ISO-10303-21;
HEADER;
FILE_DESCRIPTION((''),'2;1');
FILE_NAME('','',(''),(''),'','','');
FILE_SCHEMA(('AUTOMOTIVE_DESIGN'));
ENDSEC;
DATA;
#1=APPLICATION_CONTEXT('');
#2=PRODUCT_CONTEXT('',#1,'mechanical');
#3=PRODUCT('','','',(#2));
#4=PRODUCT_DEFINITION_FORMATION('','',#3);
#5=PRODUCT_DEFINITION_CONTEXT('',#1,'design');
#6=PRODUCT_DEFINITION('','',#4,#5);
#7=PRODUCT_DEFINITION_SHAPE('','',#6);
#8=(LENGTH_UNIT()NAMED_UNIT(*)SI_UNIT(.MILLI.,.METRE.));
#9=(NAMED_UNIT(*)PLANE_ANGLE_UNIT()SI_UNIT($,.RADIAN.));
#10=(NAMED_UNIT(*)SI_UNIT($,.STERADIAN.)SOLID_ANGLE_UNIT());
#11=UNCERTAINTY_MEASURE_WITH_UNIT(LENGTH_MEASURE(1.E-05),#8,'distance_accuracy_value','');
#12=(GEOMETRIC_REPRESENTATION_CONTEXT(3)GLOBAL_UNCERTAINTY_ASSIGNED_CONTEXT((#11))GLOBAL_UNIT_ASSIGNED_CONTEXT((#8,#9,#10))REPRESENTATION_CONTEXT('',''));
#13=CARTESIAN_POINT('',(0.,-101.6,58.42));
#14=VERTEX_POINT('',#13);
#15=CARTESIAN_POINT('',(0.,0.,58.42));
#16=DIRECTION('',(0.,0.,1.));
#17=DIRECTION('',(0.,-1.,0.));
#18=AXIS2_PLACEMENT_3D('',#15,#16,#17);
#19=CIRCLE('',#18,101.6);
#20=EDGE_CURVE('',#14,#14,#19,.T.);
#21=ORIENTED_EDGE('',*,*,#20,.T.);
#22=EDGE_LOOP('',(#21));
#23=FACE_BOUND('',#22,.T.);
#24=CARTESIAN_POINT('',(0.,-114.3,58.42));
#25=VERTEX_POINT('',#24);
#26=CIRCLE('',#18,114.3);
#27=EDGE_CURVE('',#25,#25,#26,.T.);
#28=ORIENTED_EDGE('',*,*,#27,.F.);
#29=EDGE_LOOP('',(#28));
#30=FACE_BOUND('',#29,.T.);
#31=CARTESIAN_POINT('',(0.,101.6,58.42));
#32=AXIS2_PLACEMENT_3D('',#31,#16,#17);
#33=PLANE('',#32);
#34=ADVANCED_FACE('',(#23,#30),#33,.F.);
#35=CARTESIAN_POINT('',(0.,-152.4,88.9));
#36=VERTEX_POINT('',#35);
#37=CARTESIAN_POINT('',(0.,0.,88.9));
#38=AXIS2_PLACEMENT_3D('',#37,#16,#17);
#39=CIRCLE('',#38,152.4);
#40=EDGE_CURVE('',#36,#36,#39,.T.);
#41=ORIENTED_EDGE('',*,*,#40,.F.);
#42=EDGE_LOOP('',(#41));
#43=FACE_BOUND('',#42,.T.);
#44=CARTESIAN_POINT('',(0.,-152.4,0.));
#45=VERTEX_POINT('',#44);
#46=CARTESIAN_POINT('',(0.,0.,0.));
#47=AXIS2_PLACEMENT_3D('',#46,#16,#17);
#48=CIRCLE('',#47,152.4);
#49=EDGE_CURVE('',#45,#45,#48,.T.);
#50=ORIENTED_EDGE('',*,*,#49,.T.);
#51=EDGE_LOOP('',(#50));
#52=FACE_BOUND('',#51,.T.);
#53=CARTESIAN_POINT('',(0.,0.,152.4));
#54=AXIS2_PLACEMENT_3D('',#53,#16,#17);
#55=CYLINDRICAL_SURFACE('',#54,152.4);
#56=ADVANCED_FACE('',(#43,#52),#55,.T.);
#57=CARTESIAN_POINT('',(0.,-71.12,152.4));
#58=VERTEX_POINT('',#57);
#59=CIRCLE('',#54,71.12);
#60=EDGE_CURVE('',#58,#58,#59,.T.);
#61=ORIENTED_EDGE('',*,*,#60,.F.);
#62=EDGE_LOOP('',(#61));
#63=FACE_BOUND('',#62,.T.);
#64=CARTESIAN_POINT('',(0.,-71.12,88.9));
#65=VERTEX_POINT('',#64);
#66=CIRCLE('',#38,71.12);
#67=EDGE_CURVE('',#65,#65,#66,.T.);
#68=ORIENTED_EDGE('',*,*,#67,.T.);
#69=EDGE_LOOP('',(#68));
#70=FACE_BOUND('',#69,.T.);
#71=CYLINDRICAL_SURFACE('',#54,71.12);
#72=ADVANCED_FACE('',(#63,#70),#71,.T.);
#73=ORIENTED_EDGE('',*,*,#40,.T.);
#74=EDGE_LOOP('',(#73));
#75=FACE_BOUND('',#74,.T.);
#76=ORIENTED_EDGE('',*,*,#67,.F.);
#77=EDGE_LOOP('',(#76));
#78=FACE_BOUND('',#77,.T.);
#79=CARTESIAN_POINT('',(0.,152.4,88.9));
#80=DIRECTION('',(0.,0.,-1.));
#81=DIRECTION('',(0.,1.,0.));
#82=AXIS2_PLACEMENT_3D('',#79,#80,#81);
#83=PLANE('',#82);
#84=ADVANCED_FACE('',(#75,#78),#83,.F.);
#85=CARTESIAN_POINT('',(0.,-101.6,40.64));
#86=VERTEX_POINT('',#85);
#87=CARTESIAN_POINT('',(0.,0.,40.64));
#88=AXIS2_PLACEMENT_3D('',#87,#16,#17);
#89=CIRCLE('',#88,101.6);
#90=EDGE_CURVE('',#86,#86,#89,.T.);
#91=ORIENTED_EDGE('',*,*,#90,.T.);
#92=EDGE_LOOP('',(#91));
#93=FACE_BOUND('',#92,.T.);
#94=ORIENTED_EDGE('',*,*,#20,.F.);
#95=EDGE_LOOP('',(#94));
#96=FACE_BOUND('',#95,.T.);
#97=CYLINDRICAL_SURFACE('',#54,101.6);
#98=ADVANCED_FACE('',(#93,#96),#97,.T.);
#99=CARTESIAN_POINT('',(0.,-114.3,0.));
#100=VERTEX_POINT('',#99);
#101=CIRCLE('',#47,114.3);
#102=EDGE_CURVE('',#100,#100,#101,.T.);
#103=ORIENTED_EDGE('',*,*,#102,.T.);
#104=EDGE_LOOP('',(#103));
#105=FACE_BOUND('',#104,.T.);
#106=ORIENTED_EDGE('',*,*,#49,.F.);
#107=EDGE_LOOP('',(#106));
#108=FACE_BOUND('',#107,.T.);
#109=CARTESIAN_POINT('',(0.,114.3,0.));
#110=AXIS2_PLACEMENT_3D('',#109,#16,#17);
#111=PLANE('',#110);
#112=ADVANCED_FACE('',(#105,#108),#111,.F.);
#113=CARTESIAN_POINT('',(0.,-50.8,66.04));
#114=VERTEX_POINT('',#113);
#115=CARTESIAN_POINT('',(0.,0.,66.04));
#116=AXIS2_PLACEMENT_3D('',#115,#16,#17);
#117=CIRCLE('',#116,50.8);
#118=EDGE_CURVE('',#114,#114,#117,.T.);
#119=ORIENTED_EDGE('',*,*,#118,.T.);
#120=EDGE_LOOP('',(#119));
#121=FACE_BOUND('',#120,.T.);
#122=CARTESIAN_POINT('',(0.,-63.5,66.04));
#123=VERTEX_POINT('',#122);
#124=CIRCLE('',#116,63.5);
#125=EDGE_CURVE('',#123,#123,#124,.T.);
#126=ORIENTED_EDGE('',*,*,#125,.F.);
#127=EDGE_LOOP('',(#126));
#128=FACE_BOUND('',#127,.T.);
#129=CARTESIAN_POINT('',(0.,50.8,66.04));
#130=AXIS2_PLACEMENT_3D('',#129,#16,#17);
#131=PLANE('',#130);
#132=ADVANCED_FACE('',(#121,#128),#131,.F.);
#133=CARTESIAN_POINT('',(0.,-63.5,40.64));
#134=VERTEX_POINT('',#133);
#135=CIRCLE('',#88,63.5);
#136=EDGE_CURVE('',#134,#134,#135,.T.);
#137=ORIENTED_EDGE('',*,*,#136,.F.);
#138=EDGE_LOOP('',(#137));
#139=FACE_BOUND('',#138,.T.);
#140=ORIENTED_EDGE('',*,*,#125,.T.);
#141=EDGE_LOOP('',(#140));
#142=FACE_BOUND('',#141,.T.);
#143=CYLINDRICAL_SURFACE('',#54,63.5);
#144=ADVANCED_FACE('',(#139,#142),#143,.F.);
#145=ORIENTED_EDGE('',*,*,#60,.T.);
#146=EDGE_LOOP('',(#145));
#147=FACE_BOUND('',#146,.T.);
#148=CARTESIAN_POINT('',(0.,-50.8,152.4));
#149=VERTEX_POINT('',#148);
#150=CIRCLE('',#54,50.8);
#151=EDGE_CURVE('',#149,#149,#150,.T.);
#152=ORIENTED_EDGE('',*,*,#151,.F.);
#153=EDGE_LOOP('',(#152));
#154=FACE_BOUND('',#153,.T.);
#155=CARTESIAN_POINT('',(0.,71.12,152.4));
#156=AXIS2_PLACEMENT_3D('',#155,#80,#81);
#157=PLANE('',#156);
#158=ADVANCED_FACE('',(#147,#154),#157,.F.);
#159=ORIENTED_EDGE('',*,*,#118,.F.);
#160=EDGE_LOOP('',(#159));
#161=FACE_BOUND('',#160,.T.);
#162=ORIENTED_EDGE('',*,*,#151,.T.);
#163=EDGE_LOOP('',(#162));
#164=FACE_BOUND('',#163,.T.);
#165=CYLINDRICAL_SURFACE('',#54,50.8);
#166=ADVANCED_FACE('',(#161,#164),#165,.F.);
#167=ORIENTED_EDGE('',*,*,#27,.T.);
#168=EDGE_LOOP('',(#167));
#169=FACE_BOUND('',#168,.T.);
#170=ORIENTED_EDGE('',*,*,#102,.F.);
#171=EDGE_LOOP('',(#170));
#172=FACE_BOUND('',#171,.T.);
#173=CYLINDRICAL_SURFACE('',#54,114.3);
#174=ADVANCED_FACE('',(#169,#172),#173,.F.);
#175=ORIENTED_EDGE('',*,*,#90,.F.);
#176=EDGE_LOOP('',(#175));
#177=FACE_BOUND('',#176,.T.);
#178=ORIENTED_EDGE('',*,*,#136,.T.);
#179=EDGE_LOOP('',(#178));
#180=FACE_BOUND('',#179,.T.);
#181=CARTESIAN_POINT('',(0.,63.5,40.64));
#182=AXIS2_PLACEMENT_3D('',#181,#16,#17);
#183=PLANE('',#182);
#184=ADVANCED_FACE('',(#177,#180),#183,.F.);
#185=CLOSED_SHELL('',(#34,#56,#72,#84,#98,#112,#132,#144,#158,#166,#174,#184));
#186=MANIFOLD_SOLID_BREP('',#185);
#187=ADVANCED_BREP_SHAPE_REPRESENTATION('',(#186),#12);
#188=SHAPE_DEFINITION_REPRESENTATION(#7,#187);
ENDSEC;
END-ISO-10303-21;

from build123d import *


with BuildPart() as part:
    # Sketch1 → Revolve1 (revolve)
    with BuildSketch(Plane(origin=(0, 0, 0), x_dir=(0, 0, -1), z_dir=(1, 0, 0)), mode=Mode.PRIVATE) as revolve1_sk:
        Polygon((-152.4, 71.12), (-152.4, 50.8), (-66.04, 50.8), (-66.04, 63.5), (-40.64, 63.5), (-40.64, 101.6), (-58.42, 101.6), (-58.42, 114.3), (0, 114.3), (0, 152.4), (-88.9, 152.4), (-88.9, 71.12), align=None)
    revolve(revolve1_sk.sketch.rotate(Axis((0, 0, 152.4), (0, 0, -1)), 180), axis=Axis((0, 0, 152.4), (0, 0, -1)))


solid = part.part
